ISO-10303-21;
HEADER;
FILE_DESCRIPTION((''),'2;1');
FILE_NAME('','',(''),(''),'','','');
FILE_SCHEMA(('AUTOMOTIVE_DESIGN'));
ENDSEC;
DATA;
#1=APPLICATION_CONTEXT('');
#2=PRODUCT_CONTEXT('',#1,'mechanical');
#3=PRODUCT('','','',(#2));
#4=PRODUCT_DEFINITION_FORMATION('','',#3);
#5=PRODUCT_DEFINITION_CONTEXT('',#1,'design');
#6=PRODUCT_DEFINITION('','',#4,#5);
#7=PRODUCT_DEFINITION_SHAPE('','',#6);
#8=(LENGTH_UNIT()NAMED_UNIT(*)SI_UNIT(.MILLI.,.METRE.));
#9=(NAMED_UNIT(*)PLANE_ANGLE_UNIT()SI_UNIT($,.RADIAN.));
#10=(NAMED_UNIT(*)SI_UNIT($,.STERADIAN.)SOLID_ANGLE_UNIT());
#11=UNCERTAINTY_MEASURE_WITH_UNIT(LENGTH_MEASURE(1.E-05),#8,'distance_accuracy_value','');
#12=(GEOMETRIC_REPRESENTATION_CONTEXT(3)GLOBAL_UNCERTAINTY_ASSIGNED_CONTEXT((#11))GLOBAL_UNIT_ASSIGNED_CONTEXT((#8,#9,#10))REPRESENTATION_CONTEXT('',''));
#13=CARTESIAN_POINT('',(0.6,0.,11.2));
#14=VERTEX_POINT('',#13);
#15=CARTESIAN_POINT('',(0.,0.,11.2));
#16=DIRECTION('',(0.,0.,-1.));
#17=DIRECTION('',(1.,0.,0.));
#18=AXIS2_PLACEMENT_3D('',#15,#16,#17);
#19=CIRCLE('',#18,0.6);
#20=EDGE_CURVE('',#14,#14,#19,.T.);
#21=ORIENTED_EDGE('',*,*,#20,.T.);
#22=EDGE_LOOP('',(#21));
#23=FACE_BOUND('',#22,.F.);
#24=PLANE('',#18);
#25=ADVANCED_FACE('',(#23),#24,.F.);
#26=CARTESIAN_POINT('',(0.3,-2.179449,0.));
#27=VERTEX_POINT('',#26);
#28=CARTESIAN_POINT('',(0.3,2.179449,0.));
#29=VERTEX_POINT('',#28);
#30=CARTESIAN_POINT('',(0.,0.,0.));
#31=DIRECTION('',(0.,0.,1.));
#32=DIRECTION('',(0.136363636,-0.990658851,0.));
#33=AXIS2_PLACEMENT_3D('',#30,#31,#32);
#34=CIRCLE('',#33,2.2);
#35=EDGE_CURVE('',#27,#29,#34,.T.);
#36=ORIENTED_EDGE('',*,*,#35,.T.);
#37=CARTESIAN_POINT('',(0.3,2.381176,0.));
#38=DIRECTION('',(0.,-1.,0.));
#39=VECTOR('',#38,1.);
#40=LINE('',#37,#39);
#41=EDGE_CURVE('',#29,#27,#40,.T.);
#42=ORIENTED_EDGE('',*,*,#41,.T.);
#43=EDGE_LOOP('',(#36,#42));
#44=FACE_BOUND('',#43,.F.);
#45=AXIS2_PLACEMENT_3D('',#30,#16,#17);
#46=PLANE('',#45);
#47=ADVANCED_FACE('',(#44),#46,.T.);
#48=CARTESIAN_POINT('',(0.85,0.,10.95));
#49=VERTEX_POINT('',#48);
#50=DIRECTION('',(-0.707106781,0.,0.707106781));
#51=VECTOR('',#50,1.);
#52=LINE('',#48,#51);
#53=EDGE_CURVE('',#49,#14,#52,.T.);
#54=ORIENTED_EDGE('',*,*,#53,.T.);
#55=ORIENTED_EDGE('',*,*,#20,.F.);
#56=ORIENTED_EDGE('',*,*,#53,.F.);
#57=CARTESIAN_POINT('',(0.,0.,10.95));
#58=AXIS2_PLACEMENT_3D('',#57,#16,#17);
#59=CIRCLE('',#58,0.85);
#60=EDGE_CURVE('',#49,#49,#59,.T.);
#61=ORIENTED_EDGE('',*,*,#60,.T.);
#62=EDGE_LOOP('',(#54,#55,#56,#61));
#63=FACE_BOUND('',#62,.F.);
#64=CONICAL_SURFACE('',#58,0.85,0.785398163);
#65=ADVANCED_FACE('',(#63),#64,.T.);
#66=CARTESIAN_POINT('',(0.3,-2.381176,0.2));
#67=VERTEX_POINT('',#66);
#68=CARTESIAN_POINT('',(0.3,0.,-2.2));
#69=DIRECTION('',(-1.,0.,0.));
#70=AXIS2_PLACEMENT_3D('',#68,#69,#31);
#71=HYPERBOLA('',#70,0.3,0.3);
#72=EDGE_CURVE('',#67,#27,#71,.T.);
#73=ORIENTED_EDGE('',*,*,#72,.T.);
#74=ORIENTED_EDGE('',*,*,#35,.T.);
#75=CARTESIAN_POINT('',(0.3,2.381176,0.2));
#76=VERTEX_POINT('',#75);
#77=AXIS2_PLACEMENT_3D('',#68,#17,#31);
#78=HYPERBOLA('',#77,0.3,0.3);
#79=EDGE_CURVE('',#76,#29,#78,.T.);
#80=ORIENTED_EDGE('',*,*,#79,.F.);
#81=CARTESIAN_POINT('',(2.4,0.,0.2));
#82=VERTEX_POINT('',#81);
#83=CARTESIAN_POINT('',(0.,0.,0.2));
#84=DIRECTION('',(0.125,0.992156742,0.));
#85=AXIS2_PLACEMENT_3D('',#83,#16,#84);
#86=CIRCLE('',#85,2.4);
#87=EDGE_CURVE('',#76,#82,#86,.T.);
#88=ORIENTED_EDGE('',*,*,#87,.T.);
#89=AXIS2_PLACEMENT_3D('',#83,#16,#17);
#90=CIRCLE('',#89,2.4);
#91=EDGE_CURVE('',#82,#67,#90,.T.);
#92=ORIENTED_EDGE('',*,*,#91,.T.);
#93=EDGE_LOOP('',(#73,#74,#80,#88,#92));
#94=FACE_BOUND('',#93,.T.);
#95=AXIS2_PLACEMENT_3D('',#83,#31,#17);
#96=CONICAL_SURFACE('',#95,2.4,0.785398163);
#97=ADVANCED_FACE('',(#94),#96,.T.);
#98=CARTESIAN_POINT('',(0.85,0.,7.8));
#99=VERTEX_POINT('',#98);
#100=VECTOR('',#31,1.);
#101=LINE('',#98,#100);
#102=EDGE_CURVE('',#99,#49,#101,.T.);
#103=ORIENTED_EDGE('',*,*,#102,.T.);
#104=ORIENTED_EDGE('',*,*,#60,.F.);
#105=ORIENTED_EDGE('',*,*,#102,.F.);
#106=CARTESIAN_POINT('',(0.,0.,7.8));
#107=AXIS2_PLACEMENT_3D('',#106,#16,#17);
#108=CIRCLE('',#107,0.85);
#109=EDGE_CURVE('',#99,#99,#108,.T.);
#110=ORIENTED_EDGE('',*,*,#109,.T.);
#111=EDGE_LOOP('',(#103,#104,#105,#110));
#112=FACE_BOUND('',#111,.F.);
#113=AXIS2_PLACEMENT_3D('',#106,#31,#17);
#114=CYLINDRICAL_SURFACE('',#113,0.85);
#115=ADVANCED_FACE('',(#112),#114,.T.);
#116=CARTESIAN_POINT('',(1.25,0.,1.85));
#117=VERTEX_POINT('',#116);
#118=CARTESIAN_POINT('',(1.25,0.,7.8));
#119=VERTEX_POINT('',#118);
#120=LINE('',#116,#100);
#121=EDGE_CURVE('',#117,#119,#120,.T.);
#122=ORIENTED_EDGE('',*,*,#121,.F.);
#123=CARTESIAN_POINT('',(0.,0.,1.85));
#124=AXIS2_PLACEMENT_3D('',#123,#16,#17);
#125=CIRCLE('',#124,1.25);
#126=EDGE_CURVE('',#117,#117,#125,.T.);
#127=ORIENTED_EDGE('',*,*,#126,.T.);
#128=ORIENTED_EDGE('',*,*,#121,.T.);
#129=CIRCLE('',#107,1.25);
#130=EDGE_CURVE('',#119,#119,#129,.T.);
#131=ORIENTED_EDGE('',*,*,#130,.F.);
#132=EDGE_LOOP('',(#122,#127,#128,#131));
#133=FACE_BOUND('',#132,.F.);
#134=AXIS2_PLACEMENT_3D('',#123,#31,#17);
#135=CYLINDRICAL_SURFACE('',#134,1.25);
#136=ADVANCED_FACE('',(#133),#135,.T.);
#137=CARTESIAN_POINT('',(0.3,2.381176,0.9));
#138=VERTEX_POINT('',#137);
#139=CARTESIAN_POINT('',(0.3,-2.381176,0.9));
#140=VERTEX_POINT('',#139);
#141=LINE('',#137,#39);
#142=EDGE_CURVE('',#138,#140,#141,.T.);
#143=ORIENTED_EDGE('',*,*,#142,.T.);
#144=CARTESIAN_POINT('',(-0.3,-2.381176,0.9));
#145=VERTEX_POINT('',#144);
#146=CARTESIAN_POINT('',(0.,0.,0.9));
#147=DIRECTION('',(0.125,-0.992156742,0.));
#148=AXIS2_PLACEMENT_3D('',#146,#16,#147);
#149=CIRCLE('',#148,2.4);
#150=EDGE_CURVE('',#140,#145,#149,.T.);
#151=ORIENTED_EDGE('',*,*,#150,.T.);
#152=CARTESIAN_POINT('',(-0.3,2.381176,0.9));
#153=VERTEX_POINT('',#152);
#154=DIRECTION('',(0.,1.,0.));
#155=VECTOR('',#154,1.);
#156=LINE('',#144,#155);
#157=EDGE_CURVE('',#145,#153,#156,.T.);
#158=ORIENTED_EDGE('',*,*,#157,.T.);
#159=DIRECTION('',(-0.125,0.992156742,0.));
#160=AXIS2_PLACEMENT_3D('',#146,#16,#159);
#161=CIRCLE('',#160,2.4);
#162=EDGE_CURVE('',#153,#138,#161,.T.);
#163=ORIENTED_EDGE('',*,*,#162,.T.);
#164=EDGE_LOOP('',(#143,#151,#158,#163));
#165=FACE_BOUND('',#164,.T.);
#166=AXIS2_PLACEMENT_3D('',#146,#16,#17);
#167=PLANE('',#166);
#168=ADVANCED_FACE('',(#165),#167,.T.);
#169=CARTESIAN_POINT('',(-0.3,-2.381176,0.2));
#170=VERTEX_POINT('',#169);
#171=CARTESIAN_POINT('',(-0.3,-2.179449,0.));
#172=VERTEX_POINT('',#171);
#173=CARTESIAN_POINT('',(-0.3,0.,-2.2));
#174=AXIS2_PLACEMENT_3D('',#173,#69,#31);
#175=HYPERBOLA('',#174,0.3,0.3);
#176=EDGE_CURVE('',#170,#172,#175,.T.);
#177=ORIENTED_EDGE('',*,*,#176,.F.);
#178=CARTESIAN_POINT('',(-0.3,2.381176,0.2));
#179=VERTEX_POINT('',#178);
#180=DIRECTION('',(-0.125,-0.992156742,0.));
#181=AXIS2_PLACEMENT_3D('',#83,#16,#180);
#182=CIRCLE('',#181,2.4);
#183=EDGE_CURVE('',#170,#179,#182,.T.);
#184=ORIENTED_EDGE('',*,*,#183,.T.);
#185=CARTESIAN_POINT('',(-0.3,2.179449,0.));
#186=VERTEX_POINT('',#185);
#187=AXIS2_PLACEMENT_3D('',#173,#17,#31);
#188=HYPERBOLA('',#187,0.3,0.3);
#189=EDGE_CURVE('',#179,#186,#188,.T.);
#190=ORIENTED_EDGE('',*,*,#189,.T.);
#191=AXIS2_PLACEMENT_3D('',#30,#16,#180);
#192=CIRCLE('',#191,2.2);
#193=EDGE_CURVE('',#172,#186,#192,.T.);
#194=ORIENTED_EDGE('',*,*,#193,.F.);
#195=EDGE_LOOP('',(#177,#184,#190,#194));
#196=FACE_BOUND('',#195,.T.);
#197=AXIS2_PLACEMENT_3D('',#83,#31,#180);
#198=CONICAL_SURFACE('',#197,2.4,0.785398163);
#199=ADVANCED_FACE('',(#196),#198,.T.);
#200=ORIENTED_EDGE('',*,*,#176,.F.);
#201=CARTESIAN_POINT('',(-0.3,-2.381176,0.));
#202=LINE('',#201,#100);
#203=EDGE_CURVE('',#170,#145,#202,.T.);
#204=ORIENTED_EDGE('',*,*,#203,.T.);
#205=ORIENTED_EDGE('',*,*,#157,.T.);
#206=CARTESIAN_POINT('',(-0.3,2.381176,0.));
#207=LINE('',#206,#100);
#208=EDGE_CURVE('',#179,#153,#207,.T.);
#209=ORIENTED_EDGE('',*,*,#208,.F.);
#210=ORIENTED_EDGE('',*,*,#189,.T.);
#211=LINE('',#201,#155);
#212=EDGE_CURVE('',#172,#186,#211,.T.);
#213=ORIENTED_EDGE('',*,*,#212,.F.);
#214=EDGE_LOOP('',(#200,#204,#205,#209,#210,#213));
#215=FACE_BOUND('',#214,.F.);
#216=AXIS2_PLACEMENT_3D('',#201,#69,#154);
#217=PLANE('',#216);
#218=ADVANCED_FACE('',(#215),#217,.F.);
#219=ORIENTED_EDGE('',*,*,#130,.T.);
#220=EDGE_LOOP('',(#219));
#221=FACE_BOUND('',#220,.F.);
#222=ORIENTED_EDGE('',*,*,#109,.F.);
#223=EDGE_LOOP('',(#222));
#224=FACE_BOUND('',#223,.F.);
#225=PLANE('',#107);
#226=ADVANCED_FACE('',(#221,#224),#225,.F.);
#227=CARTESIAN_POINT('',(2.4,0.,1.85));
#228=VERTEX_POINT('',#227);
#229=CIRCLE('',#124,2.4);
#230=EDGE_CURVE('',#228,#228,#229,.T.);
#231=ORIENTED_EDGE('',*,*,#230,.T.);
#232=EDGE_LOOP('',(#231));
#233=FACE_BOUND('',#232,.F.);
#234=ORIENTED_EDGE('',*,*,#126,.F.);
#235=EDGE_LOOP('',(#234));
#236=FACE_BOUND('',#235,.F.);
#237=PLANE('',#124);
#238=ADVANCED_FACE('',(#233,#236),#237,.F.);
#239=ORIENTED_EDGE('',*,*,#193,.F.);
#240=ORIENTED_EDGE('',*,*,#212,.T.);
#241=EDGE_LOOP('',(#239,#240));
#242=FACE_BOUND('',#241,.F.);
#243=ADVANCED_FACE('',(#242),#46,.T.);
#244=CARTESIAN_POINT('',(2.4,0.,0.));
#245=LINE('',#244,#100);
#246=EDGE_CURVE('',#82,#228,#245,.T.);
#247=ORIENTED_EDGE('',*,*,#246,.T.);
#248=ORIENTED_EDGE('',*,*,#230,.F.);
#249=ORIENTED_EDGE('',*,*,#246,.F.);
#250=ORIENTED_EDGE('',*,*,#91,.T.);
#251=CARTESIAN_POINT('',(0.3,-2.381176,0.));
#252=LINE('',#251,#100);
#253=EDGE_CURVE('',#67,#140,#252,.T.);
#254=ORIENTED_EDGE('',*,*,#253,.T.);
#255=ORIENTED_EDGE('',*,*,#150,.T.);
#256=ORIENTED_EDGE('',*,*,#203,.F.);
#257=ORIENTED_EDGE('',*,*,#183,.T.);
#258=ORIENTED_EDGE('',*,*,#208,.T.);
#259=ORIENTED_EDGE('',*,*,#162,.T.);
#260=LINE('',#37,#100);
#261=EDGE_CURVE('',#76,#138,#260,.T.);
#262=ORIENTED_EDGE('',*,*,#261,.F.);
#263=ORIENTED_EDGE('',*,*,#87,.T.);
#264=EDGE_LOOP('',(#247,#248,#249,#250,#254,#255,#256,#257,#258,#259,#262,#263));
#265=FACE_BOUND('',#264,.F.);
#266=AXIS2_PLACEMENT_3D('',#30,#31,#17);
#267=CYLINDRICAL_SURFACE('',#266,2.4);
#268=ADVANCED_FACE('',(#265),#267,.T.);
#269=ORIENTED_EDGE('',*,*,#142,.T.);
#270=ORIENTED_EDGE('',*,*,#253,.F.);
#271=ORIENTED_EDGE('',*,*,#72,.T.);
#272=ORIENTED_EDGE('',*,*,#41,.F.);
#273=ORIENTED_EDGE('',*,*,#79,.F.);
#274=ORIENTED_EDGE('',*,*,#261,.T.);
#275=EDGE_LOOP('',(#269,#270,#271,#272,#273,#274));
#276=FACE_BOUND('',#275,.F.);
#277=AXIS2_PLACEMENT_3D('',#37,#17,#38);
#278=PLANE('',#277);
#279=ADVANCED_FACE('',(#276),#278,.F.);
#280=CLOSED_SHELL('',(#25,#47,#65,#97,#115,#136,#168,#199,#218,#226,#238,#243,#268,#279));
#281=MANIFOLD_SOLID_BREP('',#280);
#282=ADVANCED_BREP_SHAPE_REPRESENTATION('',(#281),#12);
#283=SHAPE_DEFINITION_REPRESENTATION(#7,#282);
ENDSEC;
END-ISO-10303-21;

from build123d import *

# Parameters (mm, degrees)
F2_SIZE  = 0.25
F4_DEPTH = 0.9
F5_SIZE  = 0.2


with BuildPart() as f1:
    # F0 (on Front) → F1 (revolve)
    with BuildSketch(Plane.XZ):
        Polygon((0, 11.2), (0, 0), (2.4, 0), (2.4, 1.85), (1.25, 1.85), (1.25, 7.8), (0.85, 7.8), (0.85, 11.2), align=None)
    revolve(axis=Axis((0, 0, 5.6), (0, 0, -1)))

    # F2
    f2_edges = [f1.edges().sort_by_distance(p)[0] for p in [
        (-0.85, 0, 11.2),
    ]]
    chamfer(f2_edges, length=F2_SIZE)

    # F3 (on face) → F4 (cut)
    with BuildSketch(Plane(origin=(0, 0, 0), x_dir=(1, 0, 0), z_dir=(0, 0, -1))):
        with BuildLine():
            ThreePointArc((0.3, 2.38117618), (0, 2.4), (-0.3, 2.38117618))
            Line((-0.3, 2.38117618), (-0.3, -2.38117618))
            ThreePointArc((-0.3, -2.38117618), (0, -2.4), (0.3, -2.38117618))
            Line((0.3, -2.38117618), (0.3, 2.38117618))
        make_face()
    extrude(amount=-F4_DEPTH, mode=Mode.SUBTRACT)

    # F5
    f5_edges = [f1.edges().sort_by_distance(p)[0] for p in [
        (1.8, 1.587451, 0),
        (1.8, -1.587451, 0),
        (-2.4, 0, 0),
    ]]
    chamfer(f5_edges, length=F5_SIZE)


solid = f1.part
